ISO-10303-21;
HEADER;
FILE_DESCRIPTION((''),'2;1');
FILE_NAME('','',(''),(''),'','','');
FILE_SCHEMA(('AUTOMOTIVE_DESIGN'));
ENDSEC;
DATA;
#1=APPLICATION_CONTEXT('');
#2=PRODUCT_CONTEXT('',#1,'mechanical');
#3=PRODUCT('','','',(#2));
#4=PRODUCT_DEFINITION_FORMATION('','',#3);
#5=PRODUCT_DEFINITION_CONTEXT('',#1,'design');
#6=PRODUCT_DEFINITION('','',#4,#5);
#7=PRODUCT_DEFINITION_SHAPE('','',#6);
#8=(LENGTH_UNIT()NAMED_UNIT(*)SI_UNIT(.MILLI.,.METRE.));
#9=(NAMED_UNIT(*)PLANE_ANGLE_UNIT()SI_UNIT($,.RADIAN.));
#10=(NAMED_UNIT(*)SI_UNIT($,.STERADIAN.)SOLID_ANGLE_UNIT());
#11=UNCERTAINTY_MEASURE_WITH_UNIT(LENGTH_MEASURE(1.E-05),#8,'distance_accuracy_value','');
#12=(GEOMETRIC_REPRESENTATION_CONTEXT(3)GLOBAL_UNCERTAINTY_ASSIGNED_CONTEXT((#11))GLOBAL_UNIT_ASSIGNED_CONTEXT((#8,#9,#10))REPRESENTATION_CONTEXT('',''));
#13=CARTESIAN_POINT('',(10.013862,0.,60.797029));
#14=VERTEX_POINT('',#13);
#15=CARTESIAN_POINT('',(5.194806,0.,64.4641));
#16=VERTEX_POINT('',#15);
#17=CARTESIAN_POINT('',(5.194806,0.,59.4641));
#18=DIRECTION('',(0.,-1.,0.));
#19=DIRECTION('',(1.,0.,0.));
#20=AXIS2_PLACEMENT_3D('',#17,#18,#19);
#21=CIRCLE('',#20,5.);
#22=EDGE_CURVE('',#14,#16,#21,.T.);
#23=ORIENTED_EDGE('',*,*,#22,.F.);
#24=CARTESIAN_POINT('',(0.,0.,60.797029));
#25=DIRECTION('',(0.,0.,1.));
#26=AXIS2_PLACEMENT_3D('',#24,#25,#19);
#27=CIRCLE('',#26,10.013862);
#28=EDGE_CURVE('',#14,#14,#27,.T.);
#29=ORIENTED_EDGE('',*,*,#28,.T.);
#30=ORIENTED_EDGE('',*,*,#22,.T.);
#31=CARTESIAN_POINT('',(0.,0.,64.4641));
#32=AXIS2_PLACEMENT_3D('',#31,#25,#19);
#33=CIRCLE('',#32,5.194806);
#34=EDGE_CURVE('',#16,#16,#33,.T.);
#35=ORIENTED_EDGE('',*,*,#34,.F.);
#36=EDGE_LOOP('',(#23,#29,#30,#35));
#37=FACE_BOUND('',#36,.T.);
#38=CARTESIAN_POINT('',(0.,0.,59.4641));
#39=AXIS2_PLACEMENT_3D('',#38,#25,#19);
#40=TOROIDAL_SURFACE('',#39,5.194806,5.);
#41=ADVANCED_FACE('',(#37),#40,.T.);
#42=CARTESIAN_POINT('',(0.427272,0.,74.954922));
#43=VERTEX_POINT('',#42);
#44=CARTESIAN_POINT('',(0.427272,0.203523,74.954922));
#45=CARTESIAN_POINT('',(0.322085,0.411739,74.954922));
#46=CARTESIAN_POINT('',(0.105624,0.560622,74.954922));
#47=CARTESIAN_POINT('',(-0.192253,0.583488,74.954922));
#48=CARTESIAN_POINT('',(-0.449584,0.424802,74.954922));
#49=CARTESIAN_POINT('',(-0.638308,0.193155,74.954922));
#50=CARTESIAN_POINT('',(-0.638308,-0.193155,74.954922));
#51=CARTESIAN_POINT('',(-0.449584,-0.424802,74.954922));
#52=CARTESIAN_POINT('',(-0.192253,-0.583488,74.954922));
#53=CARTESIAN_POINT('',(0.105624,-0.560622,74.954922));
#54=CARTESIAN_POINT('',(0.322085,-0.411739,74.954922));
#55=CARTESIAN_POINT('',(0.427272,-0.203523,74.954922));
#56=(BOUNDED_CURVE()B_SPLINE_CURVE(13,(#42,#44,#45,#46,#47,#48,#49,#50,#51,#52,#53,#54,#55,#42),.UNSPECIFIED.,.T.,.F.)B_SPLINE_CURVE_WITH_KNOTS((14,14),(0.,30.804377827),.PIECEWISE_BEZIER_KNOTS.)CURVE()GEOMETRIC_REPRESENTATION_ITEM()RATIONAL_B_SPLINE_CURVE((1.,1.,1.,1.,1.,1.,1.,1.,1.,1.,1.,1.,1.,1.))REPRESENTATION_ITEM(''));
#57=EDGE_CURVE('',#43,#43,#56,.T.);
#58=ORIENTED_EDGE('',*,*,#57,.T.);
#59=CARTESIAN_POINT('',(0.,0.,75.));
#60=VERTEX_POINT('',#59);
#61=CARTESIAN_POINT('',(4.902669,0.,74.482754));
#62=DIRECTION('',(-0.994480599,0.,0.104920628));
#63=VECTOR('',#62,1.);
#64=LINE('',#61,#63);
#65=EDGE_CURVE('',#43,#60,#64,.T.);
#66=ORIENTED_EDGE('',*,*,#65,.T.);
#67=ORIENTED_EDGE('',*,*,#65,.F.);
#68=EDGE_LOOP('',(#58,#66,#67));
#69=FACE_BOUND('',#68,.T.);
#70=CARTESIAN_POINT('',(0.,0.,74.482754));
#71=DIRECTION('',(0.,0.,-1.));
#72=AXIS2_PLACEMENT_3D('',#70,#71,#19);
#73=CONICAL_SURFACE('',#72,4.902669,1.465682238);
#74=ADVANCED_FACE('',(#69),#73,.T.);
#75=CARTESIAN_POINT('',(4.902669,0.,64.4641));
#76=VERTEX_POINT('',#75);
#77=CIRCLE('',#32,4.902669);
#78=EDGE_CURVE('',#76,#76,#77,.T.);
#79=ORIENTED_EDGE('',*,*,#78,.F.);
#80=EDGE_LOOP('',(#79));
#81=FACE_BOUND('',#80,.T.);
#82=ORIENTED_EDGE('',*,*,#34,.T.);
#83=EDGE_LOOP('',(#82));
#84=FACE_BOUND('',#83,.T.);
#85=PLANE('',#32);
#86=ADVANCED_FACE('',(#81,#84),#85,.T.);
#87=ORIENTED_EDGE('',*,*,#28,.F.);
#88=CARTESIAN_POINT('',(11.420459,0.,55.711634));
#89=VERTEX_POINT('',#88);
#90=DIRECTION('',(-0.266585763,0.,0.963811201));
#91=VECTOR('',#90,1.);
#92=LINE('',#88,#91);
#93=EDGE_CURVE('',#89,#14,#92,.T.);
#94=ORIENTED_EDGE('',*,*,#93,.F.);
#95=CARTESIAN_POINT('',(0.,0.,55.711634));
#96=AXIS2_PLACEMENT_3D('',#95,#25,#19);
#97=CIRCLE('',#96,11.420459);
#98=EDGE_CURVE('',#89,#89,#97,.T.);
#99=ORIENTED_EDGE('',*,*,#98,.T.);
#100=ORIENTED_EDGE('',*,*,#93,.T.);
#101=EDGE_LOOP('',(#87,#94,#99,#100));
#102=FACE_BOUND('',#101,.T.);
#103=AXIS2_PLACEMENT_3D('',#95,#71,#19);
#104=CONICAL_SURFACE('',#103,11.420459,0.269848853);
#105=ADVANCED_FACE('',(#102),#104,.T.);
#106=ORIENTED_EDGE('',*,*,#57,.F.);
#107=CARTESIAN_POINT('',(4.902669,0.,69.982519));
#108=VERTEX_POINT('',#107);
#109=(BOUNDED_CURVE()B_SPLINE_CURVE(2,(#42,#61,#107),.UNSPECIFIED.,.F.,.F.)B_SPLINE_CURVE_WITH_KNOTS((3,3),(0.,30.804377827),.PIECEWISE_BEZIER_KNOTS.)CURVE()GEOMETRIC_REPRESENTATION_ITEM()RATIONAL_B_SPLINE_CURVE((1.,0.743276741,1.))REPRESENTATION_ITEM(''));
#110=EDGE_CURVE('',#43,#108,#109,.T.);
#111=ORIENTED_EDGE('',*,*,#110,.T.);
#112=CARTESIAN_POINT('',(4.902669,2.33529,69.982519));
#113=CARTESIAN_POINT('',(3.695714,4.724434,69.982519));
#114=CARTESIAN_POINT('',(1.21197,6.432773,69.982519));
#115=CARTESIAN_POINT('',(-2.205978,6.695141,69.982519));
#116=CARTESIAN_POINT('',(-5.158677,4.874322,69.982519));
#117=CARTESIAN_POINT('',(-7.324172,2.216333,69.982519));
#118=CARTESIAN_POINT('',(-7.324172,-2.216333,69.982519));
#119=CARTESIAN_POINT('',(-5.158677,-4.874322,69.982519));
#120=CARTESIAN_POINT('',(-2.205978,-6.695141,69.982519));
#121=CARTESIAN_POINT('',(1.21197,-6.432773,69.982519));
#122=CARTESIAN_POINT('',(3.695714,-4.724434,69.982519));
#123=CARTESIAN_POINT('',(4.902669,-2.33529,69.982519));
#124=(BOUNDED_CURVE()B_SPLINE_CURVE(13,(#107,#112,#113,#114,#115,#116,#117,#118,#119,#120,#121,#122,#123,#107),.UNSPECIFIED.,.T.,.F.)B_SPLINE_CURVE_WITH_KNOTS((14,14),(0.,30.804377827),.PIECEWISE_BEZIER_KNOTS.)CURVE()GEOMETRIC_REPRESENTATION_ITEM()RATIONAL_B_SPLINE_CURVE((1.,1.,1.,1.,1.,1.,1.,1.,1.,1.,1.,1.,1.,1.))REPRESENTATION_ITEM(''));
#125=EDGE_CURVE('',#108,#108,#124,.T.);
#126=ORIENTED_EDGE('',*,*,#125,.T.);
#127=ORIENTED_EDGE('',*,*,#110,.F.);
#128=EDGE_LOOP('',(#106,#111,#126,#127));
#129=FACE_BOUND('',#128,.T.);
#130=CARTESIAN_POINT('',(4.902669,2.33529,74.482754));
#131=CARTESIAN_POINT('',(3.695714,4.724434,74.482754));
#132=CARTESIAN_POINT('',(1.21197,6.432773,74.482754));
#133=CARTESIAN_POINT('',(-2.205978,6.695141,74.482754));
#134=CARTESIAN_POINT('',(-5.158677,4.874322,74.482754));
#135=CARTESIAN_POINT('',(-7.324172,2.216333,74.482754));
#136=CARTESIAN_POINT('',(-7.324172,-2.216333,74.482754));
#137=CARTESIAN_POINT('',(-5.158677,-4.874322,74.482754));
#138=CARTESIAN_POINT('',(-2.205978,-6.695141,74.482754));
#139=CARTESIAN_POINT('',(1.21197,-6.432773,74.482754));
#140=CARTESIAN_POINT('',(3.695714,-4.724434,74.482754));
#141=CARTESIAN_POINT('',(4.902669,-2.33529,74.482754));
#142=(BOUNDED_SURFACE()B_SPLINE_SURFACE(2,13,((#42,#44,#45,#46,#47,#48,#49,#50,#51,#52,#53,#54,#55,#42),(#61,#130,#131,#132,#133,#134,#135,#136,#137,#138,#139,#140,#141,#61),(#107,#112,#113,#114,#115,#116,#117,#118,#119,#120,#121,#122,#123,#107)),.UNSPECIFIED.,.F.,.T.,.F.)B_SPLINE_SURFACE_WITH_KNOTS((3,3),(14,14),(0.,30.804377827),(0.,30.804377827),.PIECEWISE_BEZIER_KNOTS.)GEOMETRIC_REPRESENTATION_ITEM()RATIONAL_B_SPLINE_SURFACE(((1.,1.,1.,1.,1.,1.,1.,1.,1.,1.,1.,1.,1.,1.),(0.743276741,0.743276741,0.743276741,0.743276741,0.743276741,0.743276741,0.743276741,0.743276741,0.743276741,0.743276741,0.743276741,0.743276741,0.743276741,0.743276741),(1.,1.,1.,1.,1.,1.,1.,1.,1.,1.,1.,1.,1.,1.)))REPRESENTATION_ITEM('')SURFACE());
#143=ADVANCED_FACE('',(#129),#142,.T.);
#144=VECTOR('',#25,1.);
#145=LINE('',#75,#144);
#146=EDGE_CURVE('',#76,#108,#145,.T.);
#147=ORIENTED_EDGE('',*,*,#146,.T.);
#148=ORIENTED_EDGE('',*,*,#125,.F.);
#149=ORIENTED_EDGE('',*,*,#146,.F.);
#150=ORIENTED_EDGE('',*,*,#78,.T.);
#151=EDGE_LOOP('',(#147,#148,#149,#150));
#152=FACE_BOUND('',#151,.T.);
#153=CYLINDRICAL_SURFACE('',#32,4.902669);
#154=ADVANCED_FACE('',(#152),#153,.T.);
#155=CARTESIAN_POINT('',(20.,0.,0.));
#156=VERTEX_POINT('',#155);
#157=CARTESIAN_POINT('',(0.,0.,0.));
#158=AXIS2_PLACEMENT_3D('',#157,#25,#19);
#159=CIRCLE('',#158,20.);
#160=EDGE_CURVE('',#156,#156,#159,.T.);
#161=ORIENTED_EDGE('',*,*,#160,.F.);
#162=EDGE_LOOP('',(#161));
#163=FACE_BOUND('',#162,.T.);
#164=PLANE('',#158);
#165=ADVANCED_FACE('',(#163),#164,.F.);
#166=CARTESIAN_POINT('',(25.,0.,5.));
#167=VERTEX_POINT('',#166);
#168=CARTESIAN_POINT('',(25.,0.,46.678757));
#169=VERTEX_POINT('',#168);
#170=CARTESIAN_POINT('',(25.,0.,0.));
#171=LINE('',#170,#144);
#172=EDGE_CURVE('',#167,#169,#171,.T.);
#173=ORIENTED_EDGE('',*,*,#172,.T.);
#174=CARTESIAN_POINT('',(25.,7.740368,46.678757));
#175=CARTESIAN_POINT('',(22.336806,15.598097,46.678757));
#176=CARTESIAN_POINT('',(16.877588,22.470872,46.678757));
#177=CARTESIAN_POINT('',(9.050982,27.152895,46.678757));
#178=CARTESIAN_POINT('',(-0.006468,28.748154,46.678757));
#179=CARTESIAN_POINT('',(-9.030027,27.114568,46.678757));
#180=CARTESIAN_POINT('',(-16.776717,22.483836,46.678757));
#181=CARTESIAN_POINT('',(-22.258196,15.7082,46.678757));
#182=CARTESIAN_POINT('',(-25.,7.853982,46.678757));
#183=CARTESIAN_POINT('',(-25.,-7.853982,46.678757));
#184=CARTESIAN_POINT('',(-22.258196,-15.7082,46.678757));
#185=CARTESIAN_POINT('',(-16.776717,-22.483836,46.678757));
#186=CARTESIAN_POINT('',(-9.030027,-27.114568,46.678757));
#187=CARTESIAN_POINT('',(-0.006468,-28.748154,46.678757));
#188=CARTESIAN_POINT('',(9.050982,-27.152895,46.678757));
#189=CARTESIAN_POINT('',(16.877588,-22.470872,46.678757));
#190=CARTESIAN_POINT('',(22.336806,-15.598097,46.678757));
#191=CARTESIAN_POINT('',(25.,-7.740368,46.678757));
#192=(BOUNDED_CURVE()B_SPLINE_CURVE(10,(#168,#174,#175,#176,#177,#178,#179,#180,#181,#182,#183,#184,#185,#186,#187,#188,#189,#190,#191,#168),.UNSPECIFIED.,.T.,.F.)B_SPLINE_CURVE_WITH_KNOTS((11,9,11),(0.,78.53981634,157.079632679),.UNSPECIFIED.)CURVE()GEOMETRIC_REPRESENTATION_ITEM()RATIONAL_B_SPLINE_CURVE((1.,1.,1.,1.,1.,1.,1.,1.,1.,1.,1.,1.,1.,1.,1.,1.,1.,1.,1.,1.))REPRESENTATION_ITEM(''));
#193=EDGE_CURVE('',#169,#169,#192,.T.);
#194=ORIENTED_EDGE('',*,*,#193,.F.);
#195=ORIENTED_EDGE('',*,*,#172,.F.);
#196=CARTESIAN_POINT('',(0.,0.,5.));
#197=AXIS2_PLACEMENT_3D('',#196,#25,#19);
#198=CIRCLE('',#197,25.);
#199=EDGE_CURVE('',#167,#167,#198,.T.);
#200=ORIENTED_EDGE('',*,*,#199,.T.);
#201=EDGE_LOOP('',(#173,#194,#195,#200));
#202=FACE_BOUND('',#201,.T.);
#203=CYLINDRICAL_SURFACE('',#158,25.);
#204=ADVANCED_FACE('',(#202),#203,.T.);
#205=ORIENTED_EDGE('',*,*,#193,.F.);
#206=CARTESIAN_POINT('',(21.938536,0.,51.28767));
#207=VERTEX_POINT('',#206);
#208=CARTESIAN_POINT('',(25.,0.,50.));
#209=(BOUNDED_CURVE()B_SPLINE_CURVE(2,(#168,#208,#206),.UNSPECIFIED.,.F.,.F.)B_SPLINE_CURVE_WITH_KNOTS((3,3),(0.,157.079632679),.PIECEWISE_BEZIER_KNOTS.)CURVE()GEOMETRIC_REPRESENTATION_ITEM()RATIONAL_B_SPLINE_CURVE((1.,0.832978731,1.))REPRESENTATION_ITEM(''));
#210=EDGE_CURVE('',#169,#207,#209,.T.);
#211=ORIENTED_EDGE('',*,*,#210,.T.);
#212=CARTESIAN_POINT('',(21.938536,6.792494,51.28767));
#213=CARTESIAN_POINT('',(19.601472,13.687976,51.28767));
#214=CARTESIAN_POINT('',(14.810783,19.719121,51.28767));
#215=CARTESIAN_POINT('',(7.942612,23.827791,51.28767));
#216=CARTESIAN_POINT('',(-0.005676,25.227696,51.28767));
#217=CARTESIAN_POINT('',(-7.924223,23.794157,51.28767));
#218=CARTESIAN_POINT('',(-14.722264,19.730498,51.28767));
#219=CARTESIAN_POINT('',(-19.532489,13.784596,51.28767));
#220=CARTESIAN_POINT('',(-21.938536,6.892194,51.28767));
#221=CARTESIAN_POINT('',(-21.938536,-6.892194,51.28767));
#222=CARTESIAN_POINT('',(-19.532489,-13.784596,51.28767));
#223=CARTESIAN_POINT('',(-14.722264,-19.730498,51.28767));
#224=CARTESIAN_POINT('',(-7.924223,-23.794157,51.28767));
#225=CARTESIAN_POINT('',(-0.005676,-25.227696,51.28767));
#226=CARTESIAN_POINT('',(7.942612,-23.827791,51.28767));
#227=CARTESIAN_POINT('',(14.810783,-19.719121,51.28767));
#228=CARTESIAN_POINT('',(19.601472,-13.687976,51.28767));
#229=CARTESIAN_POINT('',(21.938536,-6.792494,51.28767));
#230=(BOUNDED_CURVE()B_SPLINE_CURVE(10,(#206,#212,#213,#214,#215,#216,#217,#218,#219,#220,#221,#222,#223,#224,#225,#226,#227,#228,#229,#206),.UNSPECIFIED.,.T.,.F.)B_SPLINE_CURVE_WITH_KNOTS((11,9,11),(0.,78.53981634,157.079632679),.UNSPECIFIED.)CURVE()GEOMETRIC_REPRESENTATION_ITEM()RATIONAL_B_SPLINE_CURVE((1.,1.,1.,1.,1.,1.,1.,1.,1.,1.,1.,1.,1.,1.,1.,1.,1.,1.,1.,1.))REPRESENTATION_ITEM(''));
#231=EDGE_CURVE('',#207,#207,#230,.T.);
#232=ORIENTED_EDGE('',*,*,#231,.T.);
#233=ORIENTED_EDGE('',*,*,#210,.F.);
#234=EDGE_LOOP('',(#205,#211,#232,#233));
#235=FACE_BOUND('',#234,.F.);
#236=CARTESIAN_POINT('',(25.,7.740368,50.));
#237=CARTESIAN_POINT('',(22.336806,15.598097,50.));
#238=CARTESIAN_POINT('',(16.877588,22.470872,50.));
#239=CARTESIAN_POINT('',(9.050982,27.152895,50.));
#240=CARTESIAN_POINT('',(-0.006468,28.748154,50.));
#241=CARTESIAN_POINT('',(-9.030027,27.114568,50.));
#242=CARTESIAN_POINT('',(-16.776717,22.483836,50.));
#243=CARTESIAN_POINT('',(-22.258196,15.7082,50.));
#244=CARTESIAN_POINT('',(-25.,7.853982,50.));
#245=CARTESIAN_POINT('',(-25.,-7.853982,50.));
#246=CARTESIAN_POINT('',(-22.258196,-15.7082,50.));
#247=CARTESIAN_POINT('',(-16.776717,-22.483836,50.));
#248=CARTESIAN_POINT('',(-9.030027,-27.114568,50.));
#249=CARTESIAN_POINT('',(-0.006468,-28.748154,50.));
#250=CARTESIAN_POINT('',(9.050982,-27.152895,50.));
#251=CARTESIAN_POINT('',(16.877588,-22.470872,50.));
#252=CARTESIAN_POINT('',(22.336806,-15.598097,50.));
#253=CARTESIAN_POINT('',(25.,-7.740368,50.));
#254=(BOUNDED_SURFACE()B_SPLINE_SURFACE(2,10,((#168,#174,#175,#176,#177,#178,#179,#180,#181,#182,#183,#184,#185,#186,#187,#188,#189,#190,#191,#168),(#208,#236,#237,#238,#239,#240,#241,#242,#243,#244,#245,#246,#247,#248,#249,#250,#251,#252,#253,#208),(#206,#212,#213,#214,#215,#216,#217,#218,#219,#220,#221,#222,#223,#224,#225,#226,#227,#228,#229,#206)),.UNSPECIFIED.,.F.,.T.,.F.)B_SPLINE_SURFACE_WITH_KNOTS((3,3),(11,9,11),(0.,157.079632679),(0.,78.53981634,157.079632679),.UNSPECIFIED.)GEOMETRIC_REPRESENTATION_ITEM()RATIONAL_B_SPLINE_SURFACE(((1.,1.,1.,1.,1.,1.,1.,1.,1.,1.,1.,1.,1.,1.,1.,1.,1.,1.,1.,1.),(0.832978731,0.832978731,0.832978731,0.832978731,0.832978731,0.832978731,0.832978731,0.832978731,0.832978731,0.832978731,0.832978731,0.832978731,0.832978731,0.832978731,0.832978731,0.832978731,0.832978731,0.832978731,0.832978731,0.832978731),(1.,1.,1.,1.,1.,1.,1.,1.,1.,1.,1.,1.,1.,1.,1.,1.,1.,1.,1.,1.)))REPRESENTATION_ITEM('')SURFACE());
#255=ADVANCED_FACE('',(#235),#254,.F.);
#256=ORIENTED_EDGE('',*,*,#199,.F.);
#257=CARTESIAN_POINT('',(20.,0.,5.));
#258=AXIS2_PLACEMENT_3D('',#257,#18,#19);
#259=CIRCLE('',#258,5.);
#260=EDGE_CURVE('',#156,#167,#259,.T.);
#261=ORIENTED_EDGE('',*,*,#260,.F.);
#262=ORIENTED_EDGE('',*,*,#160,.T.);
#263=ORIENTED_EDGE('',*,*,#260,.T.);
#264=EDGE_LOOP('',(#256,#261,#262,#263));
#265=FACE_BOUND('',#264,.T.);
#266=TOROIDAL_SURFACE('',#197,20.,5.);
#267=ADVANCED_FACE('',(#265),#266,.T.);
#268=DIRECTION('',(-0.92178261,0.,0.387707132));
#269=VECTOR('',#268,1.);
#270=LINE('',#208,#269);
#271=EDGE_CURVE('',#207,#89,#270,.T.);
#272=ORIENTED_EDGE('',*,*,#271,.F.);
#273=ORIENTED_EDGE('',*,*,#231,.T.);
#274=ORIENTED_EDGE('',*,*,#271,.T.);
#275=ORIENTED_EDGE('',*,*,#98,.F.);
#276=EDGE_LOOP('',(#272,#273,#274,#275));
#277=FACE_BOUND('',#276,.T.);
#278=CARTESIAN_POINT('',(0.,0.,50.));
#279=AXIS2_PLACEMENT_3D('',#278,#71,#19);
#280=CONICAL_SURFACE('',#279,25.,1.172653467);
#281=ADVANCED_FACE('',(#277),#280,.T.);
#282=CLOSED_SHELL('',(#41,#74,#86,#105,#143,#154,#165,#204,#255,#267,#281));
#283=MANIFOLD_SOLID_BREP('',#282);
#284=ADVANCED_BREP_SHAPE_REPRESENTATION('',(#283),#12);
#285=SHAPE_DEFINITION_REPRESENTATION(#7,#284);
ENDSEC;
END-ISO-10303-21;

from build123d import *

# Parameters (mm, degrees)
F3_R = 5


with BuildPart() as f2:
    # F1 (on face) → F2 (revolve)
    with BuildSketch(Plane.XZ):
        Polygon((4.902669, 74.482754), (0, 75), (0, 0), (25, 0), (25, 50), (11.420459, 55.711634), (8.999567, 64.4641), (4.902669, 64.4641), align=None)
    revolve(axis=Axis((0, 0, 37.5), (0, 0, 1)))

    # F3
    f3_edges = [f2.edges().sort_by_distance(p)[0] for p in [
        (-25, 0, 50),
        (-25, 0, 0),
        (25, 0, 25),
        (-8.999567, 0, 64.4641),
        (-4.902669, 0, 74.482754),
    ]]
    fillet(f3_edges, radius=F3_R)


solid = f2.part
